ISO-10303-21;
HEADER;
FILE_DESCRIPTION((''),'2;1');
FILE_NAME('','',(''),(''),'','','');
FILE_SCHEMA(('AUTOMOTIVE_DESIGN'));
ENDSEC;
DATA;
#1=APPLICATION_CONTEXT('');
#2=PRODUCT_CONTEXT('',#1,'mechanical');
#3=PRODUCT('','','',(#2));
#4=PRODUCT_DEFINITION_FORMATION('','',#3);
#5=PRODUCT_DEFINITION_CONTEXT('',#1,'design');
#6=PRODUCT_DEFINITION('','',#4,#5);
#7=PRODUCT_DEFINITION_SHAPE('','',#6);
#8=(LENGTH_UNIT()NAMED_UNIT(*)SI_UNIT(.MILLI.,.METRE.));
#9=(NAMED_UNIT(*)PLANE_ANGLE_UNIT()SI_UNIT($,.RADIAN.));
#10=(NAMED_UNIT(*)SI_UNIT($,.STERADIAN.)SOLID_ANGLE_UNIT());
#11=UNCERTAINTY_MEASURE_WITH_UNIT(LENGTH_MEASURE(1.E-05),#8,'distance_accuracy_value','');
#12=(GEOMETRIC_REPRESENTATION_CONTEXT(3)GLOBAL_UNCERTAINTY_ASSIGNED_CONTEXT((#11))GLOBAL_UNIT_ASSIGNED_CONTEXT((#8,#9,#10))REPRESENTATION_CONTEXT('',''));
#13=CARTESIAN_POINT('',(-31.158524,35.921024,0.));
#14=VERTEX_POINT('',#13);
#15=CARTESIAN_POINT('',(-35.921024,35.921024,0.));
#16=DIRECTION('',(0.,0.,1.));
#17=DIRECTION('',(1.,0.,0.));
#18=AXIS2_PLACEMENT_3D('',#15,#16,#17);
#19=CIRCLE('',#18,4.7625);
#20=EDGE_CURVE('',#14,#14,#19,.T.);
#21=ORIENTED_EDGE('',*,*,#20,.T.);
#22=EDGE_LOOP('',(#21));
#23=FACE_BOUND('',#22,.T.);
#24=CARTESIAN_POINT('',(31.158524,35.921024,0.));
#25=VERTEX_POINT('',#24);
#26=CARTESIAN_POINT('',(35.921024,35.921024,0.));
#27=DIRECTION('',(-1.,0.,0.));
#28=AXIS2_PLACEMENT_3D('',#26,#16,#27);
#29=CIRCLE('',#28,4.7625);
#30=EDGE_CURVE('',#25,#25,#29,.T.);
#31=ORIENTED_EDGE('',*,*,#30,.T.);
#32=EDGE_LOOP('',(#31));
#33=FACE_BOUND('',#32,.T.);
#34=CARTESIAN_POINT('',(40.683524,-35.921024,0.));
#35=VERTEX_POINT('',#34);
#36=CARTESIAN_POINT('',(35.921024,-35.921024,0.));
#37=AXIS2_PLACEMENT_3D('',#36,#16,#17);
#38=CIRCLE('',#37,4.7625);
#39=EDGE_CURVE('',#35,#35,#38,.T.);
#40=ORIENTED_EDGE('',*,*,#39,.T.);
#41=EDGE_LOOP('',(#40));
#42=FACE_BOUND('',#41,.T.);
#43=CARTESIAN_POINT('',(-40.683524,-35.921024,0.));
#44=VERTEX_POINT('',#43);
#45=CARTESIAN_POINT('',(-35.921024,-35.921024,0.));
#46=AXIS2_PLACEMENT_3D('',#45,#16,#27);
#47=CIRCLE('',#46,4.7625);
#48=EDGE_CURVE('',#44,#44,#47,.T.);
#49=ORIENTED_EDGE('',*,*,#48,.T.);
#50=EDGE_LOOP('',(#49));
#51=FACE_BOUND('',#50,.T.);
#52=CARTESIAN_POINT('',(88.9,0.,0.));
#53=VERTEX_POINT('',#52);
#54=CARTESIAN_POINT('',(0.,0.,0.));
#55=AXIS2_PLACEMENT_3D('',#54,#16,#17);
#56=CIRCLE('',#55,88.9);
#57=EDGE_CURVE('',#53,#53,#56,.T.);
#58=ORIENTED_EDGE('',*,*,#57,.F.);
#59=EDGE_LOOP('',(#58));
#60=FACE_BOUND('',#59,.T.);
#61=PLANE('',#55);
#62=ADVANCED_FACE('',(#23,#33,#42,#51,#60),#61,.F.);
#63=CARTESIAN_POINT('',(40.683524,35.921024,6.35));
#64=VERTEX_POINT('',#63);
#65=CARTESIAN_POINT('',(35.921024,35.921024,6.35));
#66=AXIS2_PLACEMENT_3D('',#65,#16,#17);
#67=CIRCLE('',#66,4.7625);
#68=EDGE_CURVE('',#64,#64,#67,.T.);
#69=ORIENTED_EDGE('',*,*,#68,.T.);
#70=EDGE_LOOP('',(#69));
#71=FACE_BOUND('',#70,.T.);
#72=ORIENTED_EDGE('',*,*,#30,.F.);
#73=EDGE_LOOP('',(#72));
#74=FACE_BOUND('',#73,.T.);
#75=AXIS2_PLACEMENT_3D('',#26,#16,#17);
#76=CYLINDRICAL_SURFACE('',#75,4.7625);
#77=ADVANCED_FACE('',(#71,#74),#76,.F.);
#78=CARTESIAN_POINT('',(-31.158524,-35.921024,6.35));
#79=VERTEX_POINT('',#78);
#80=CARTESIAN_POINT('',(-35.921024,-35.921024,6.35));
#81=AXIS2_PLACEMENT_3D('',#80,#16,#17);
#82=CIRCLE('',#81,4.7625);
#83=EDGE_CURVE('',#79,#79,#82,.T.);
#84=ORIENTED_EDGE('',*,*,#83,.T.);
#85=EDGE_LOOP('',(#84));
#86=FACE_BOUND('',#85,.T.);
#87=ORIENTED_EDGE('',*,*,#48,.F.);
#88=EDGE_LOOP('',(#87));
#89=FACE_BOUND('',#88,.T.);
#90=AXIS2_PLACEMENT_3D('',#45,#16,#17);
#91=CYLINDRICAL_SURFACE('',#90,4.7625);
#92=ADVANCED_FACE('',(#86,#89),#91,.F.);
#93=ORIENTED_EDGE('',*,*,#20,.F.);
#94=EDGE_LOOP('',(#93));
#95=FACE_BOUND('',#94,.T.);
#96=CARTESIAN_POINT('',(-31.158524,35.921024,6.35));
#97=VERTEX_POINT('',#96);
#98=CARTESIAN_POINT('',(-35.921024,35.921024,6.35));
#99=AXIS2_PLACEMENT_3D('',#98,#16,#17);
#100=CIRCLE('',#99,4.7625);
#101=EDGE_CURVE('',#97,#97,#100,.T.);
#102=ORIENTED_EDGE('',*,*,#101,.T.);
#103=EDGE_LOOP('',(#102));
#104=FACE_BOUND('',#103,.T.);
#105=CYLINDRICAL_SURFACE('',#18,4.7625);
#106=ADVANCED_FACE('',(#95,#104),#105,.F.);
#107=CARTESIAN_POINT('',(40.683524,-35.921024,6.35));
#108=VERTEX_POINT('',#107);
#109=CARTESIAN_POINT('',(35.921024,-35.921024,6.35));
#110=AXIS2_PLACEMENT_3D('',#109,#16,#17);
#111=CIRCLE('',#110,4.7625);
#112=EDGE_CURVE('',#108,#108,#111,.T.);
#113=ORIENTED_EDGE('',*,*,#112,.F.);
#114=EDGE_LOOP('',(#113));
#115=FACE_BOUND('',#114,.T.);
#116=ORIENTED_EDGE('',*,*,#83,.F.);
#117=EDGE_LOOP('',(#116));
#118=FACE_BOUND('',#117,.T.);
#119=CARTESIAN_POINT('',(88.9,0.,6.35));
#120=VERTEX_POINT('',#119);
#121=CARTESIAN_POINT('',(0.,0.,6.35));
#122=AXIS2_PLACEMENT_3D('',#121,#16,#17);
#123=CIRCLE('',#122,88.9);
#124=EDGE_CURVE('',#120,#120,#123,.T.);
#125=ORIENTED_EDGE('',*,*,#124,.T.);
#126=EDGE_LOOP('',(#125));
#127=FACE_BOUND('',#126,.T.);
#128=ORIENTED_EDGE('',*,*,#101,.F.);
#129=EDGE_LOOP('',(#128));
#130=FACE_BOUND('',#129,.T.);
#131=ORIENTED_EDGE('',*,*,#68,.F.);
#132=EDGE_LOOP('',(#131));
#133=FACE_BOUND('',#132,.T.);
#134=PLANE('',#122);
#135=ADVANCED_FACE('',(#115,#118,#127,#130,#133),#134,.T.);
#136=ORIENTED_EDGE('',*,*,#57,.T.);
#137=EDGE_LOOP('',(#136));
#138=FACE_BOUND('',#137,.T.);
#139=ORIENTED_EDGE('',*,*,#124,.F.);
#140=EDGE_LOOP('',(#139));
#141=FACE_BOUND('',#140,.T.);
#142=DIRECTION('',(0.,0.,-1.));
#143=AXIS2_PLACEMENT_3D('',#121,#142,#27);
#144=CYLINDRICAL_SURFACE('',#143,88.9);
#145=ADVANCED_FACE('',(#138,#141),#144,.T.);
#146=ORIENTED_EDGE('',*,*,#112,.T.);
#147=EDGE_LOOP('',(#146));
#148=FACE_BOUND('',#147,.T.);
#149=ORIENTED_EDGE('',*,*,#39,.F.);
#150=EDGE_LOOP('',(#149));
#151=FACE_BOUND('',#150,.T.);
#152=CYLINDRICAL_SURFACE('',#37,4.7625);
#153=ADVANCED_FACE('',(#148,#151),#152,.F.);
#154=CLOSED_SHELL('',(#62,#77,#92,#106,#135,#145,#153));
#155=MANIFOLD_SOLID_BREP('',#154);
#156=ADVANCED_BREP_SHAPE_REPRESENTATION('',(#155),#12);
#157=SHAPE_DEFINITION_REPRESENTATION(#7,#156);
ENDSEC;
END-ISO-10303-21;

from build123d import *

# Parameters (mm, degrees)
SKETCH1_R               = 88.9
BOSS_EXTRUDE1_DEPTH     = 6.35
CUT_EXTRUDE1_DEPTH      = 126.88384527
CUT_EXTRUDE1_DEPTH_BACK = 126.88384527
SKETCH2_R               = 4.7625


with BuildPart() as part:
    # Sketch1 → Boss-Extrude1 (new body)
    with BuildSketch(Plane.XY):
        Circle(SKETCH1_R)
    extrude(amount=BOSS_EXTRUDE1_DEPTH)

    # Sketch2 → Cut-Extrude1 (cut, two sides: drawn at the far end of the back side and taken through both)
    with BuildSketch(Plane.XY.offset(6.35).offset(-CUT_EXTRUDE1_DEPTH_BACK)):
        with Locations((-35.921024484, 35.921024484)):
            Circle(SKETCH2_R)
        with Locations((35.921024484, 35.921024484)):
            Circle(SKETCH2_R)
        with Locations((35.921024484, -35.921024484)):
            Circle(SKETCH2_R)
        with Locations((-35.921024484, -35.921024484)):
            Circle(SKETCH2_R)
    extrude(amount=CUT_EXTRUDE1_DEPTH + CUT_EXTRUDE1_DEPTH_BACK, mode=Mode.SUBTRACT)


solid = part.part
